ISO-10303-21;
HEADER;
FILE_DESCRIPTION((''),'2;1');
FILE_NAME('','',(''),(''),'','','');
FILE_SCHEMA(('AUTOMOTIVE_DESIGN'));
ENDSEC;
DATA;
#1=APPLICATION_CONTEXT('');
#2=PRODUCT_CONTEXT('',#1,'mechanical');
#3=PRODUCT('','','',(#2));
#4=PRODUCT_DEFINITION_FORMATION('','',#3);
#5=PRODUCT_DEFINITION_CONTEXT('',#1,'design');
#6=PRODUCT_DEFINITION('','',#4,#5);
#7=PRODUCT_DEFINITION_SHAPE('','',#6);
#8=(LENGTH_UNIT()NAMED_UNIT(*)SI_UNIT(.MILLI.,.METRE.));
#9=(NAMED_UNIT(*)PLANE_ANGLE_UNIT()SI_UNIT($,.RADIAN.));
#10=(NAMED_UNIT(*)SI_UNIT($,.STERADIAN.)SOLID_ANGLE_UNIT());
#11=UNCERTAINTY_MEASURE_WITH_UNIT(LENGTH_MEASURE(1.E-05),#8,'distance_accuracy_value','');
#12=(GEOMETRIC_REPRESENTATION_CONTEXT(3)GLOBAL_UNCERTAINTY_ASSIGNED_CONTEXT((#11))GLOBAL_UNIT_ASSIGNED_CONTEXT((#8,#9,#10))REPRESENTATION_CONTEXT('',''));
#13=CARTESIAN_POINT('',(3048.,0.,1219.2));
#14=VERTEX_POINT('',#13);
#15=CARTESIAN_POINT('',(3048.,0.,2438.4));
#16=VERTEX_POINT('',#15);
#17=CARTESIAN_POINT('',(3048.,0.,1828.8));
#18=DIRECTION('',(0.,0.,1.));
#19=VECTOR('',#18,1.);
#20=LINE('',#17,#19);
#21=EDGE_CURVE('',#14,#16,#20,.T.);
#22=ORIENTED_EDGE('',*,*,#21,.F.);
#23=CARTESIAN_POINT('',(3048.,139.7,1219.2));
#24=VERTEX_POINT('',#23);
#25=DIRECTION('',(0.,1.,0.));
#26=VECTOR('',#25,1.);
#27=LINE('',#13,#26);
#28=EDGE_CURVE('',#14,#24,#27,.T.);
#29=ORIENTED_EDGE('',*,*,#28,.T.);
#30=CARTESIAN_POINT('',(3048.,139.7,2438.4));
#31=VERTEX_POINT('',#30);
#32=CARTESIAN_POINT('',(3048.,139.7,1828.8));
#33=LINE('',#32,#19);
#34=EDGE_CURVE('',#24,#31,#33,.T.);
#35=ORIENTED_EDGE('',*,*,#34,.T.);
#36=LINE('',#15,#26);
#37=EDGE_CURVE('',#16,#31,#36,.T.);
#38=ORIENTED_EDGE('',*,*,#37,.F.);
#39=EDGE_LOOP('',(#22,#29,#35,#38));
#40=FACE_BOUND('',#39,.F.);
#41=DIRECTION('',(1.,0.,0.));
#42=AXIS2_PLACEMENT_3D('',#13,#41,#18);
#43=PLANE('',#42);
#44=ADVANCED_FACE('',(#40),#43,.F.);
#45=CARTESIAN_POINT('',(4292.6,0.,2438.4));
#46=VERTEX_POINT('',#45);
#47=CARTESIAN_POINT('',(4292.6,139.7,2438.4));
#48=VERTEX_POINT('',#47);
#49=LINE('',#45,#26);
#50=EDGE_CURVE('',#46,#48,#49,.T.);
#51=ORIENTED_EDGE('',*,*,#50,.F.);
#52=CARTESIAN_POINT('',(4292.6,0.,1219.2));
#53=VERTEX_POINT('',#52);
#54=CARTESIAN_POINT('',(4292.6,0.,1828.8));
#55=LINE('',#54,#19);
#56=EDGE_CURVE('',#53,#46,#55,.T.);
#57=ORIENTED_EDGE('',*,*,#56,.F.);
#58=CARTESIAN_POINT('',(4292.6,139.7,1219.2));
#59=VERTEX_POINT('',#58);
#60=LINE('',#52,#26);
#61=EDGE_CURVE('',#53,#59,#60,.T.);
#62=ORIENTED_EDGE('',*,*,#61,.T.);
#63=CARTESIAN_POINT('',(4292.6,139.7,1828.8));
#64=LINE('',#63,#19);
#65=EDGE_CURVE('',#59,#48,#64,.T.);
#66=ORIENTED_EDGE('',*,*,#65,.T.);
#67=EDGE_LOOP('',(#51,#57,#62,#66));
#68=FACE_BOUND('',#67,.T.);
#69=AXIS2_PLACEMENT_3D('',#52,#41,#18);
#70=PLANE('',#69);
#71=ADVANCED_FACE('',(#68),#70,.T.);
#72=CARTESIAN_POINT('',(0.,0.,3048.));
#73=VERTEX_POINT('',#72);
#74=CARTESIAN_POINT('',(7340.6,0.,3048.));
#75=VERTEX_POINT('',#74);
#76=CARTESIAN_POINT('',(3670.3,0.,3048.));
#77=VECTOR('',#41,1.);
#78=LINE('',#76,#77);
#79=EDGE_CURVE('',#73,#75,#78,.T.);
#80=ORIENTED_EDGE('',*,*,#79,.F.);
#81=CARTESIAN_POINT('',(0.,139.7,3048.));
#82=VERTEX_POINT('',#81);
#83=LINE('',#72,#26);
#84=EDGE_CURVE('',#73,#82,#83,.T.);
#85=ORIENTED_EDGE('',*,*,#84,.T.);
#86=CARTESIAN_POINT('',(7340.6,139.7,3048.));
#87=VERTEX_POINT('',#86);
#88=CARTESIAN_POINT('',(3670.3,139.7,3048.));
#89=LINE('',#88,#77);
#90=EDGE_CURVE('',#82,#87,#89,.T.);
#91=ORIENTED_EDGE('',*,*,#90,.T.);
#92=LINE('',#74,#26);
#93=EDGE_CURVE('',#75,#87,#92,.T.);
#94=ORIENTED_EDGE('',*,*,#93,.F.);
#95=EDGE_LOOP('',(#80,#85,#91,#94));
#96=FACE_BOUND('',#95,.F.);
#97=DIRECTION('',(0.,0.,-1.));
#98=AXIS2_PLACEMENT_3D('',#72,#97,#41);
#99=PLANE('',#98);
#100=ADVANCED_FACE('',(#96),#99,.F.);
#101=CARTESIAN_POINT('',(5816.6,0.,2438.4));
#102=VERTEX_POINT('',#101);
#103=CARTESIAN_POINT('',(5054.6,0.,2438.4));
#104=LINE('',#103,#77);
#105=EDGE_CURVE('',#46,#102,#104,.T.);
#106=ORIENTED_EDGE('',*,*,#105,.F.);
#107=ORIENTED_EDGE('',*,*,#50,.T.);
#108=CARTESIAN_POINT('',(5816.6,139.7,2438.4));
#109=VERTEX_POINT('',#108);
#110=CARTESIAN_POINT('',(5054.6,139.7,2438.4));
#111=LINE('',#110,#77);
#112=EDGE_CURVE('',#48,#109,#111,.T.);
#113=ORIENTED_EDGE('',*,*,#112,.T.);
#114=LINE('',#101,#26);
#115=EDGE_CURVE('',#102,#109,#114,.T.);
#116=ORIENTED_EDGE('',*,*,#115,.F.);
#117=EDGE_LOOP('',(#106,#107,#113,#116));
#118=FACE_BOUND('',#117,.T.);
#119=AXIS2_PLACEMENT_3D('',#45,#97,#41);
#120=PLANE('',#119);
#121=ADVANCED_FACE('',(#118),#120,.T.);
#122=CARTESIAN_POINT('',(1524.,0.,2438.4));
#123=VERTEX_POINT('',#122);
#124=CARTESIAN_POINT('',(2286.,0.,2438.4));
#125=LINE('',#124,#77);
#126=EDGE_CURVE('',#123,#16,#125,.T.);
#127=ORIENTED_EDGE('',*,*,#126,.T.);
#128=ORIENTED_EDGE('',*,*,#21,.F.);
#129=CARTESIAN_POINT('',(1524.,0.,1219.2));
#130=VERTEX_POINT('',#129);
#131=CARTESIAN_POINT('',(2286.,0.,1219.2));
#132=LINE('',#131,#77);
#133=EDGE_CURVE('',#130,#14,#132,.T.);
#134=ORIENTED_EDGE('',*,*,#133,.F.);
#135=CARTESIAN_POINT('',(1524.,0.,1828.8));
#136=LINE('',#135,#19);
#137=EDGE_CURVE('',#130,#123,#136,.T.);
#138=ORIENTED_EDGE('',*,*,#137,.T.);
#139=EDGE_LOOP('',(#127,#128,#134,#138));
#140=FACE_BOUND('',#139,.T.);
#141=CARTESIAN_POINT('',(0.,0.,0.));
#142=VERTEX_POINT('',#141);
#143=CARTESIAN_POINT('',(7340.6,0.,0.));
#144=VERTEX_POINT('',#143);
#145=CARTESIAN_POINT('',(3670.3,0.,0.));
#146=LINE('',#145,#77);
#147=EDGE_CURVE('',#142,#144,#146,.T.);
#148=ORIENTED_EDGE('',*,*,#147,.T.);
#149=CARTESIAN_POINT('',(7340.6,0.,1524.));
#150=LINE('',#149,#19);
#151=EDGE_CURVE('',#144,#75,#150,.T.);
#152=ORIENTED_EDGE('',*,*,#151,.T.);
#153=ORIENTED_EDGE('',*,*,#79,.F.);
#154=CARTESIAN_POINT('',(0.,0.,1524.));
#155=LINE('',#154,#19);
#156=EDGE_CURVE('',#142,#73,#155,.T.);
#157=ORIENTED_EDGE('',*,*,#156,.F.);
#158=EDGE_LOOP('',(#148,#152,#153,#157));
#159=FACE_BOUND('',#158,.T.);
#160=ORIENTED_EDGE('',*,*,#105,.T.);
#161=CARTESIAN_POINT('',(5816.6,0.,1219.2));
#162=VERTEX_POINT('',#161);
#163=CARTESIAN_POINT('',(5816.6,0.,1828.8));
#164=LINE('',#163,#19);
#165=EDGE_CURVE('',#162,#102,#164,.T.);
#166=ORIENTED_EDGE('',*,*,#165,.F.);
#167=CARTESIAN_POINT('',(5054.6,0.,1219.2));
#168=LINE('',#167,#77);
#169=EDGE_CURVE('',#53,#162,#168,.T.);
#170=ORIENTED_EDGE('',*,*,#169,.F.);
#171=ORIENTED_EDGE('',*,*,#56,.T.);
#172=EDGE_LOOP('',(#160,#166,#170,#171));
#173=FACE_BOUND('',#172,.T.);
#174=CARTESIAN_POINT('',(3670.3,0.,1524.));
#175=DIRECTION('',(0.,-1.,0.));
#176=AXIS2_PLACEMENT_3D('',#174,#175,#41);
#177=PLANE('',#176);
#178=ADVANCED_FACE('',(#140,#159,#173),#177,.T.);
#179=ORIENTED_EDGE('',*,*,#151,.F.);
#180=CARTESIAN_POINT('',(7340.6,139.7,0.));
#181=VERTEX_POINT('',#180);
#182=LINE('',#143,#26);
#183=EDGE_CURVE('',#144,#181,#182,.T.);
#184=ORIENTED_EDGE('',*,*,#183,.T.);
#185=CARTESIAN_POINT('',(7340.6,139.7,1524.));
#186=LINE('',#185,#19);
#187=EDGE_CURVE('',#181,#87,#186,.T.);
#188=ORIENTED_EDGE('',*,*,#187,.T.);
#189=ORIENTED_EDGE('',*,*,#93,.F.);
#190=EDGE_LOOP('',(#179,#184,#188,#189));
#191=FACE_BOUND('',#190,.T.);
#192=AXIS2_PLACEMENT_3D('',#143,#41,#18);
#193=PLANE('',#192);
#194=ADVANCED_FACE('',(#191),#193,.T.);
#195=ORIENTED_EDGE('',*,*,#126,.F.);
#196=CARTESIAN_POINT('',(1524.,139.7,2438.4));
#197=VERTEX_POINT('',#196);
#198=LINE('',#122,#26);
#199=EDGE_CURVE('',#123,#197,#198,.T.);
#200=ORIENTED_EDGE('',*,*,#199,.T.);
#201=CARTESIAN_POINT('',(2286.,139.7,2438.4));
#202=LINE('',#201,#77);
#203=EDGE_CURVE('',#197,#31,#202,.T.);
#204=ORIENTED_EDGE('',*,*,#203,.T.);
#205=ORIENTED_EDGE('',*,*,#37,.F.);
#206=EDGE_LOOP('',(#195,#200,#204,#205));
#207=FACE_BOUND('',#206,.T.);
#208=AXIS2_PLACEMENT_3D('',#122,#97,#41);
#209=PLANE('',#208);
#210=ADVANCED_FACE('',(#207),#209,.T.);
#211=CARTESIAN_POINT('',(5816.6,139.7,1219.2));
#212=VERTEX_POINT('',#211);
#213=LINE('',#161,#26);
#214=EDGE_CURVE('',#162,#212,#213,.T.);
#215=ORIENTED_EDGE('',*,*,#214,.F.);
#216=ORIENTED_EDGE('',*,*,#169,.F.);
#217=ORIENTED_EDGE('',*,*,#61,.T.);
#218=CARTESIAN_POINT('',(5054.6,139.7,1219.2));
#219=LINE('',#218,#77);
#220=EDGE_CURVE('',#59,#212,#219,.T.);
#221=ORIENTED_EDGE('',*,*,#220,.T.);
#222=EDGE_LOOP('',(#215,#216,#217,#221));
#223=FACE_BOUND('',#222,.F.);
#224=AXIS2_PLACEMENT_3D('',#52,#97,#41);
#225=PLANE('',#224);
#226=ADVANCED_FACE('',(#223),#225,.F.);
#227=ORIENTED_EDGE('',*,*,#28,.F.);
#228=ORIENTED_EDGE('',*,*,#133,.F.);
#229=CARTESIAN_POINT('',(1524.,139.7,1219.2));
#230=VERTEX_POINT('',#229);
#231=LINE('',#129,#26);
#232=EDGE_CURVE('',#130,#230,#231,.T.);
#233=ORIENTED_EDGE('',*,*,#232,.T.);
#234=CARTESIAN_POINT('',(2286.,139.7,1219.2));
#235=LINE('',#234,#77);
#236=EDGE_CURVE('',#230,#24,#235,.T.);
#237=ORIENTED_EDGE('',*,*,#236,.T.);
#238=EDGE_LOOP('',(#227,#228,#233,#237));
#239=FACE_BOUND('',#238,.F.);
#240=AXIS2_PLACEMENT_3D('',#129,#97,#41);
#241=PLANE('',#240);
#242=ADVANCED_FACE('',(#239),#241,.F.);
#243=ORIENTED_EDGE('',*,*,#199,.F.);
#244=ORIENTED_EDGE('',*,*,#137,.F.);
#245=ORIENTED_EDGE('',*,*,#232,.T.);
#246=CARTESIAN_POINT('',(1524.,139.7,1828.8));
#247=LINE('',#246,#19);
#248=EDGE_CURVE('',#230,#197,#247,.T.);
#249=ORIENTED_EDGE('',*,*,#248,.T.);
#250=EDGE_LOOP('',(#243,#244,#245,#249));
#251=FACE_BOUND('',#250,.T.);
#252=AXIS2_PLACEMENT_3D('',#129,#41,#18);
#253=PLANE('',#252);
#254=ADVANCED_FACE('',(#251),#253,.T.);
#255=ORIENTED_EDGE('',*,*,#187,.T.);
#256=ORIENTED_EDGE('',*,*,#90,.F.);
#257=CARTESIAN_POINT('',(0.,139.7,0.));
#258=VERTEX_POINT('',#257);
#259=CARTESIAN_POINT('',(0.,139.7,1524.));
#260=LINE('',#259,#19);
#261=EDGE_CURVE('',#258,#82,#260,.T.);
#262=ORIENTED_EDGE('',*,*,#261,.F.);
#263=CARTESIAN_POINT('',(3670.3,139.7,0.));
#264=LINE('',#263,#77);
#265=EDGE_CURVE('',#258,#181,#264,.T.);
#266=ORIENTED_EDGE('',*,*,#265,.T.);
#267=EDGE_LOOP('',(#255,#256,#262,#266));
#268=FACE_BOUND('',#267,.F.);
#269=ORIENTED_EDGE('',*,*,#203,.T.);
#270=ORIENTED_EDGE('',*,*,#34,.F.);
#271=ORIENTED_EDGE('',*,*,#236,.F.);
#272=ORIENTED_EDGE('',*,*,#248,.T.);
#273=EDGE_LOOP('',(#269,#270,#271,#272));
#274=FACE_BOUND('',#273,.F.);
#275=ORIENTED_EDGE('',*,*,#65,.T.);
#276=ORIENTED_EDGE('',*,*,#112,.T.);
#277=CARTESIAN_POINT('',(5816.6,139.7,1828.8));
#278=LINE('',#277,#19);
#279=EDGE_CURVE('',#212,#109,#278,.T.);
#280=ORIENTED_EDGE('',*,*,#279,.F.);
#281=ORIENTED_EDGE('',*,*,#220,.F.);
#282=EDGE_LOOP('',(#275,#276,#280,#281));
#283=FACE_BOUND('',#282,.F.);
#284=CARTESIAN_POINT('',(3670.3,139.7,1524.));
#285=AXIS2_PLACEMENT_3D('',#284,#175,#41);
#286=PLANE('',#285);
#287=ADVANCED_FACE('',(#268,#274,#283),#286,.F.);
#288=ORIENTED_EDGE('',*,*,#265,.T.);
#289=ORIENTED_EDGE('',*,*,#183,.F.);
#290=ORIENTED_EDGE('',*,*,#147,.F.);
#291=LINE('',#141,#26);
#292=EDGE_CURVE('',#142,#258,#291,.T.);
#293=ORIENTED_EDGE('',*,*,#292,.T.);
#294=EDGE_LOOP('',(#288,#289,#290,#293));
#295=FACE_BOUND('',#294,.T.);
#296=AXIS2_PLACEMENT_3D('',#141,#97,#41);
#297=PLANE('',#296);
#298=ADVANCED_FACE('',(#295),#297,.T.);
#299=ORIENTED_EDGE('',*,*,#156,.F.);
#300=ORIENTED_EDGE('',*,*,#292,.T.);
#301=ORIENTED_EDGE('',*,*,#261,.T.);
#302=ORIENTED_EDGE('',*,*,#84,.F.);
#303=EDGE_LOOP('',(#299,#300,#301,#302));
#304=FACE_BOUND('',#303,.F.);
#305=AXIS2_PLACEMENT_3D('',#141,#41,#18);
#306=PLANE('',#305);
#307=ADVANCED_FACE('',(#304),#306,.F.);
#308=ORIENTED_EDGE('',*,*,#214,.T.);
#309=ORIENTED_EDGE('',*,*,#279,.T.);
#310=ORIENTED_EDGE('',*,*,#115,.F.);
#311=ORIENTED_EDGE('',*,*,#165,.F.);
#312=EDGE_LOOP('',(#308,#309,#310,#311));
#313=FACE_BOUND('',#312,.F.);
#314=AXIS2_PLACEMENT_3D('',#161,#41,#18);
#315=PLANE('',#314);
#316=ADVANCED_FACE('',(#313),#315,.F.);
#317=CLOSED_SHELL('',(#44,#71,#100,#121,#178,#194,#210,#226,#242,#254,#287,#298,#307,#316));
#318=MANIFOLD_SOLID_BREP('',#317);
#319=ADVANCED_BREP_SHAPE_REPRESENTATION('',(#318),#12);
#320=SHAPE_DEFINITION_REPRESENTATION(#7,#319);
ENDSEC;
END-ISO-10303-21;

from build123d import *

# Parameters (mm, degrees)
F0_W     = 7340.6
F0_H     = 3048
F0_W_2   = 1524
F0_H_2   = 1219.2
F1_DEPTH = 139.7


with BuildPart() as f1:
    # F0 (on Front) → F1 (new body)
    with BuildSketch(Plane.XZ):
        with Locations((3670.3, 1524)):
            Rectangle(F0_W, F0_H)
        with Locations((2286, 1828.8)):
            Rectangle(F0_W_2, F0_H_2, mode=Mode.SUBTRACT)
        with Locations((5054.6, 1828.8)):
            Rectangle(F0_W_2, F0_H_2, mode=Mode.SUBTRACT)
    extrude(amount=-F1_DEPTH)


solid = f1.part
